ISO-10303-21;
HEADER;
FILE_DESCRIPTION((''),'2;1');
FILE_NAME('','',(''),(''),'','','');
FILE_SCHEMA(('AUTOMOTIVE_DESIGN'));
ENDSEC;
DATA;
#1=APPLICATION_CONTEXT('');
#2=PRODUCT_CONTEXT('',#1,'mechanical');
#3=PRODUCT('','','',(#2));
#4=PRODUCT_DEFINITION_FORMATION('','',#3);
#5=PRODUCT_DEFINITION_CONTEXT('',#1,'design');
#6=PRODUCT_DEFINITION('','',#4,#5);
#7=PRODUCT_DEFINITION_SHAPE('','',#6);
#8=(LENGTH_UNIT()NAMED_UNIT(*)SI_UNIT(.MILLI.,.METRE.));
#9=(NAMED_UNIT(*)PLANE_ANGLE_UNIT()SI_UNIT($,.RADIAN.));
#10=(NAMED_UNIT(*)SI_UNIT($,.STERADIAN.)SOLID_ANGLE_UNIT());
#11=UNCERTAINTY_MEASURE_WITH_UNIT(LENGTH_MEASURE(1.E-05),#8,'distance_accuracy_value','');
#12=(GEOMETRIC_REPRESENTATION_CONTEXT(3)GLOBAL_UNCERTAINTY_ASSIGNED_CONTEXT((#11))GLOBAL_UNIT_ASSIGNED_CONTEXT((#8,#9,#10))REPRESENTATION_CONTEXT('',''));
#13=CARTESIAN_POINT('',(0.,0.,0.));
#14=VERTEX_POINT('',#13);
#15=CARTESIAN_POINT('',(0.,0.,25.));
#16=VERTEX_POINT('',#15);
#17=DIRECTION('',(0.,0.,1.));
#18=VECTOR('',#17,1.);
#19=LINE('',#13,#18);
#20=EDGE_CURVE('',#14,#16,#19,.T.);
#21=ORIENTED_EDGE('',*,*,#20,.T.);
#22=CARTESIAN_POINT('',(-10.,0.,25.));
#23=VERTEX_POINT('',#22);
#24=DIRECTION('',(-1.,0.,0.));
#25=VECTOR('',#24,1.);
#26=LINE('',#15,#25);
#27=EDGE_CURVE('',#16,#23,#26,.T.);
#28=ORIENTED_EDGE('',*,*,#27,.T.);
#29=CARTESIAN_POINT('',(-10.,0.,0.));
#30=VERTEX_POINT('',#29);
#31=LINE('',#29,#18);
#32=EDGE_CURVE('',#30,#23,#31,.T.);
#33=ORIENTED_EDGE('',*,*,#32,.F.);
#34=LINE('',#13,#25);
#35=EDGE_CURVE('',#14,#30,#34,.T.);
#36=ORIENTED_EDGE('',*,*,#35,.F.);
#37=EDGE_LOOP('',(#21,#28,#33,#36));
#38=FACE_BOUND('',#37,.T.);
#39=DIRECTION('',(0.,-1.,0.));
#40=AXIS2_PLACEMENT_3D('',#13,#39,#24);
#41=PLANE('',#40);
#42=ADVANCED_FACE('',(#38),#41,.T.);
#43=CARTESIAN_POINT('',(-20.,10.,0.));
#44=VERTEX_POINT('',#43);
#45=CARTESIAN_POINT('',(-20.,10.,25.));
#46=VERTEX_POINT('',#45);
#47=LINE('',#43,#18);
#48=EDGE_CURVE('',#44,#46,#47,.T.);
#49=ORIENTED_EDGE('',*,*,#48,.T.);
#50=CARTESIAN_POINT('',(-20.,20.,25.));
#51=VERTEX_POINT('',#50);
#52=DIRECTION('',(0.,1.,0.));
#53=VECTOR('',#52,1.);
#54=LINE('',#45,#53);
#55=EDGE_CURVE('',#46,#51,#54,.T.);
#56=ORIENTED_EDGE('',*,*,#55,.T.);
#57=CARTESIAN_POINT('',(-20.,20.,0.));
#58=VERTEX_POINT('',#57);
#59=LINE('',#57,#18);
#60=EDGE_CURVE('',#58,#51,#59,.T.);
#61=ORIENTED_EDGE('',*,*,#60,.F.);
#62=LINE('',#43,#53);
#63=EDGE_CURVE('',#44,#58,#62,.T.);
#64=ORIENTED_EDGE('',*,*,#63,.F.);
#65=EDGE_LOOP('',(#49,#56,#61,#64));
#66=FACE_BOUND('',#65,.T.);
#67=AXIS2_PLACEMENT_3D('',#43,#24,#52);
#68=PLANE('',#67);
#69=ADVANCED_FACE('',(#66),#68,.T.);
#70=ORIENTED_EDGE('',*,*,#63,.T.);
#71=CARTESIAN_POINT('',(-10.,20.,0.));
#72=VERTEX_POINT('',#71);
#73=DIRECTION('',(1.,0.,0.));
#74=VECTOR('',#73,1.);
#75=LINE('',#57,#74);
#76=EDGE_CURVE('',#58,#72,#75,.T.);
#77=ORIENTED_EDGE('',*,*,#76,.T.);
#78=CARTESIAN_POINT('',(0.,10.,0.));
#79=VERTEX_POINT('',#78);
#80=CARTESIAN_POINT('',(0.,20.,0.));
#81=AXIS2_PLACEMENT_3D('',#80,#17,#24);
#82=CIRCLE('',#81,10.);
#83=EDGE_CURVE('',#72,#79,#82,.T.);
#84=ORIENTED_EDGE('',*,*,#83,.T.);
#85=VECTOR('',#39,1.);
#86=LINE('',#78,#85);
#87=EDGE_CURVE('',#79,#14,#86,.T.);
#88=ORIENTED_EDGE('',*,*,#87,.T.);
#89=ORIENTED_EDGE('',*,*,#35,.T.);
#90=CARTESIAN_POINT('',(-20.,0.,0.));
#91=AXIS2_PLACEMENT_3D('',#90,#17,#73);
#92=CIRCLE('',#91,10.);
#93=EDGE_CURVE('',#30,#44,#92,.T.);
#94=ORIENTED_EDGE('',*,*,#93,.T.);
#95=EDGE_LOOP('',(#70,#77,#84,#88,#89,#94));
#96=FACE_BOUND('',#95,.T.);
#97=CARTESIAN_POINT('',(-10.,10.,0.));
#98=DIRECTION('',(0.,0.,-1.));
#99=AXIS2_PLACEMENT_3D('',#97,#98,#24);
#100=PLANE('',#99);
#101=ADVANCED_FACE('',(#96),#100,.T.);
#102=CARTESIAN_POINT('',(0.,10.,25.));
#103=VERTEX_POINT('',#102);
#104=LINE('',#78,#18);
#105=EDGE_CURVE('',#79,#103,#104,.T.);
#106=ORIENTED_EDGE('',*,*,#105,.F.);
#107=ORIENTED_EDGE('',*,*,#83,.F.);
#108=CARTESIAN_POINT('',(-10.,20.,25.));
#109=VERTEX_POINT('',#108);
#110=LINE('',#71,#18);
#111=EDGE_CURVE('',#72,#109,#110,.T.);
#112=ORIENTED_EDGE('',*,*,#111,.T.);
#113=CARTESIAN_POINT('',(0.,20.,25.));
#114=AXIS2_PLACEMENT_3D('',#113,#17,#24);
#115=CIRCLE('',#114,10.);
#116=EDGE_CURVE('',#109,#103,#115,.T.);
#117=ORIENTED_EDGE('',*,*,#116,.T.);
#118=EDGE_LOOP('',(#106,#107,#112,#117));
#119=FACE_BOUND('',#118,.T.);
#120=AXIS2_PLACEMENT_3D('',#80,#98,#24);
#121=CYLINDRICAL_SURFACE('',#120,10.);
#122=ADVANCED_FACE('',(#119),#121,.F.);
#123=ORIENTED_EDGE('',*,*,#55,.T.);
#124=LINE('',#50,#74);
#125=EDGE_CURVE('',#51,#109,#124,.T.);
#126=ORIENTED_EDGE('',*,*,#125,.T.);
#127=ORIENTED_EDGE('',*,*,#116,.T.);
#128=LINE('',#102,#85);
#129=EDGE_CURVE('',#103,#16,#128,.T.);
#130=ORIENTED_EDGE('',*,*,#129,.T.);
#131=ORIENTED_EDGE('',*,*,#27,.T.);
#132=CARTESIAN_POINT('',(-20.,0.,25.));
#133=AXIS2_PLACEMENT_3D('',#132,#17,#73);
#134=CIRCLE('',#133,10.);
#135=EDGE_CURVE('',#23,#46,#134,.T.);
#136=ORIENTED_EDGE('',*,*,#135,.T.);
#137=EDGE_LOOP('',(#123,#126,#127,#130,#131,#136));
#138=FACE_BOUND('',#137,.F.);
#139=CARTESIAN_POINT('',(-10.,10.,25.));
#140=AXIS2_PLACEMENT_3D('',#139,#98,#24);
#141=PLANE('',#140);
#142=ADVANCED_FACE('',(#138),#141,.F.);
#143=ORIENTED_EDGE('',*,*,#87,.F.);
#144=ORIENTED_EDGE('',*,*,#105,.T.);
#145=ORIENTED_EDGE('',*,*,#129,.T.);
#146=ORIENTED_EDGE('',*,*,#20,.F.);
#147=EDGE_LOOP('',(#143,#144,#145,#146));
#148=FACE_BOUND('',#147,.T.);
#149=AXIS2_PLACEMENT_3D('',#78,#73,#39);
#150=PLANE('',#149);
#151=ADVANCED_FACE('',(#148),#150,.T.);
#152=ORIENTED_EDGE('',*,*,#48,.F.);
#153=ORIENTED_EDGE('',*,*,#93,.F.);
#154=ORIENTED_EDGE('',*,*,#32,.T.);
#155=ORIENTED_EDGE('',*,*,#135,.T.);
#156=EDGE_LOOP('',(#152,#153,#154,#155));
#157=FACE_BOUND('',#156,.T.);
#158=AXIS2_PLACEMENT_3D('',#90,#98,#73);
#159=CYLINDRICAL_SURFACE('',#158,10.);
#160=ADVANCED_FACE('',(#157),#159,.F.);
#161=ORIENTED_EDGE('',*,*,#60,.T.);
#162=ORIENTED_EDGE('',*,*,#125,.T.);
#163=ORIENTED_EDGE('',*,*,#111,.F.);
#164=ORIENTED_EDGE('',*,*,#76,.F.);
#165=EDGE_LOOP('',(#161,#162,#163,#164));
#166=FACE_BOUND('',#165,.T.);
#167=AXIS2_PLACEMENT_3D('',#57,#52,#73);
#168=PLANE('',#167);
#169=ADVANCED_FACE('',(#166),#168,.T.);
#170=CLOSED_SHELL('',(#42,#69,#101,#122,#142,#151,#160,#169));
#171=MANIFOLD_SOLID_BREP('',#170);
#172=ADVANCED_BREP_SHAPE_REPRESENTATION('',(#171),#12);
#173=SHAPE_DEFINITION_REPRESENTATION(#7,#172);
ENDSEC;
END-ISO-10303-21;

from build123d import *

# Parameters (mm, degrees)
BOSS_EXTRUDE1_DEPTH = 25


with BuildPart() as part:
    # Sketch1 → Boss-Extrude1 (new body)
    with BuildSketch(Plane.XY):
        with BuildLine():
            Line((-20, 10), (-20, 20))
            Line((-20, 20), (-10, 20))
            ThreePointArc((-10, 20), (-7.071067812, 12.928932188), (0, 10))
            Line((0, 10), (0, 0))
            Line((0, 0), (-10, 0))
            ThreePointArc((-10, 0), (-12.928932188, 7.071067812), (-20, 10))
        make_face()
    extrude(amount=BOSS_EXTRUDE1_DEPTH)


solid = part.part
